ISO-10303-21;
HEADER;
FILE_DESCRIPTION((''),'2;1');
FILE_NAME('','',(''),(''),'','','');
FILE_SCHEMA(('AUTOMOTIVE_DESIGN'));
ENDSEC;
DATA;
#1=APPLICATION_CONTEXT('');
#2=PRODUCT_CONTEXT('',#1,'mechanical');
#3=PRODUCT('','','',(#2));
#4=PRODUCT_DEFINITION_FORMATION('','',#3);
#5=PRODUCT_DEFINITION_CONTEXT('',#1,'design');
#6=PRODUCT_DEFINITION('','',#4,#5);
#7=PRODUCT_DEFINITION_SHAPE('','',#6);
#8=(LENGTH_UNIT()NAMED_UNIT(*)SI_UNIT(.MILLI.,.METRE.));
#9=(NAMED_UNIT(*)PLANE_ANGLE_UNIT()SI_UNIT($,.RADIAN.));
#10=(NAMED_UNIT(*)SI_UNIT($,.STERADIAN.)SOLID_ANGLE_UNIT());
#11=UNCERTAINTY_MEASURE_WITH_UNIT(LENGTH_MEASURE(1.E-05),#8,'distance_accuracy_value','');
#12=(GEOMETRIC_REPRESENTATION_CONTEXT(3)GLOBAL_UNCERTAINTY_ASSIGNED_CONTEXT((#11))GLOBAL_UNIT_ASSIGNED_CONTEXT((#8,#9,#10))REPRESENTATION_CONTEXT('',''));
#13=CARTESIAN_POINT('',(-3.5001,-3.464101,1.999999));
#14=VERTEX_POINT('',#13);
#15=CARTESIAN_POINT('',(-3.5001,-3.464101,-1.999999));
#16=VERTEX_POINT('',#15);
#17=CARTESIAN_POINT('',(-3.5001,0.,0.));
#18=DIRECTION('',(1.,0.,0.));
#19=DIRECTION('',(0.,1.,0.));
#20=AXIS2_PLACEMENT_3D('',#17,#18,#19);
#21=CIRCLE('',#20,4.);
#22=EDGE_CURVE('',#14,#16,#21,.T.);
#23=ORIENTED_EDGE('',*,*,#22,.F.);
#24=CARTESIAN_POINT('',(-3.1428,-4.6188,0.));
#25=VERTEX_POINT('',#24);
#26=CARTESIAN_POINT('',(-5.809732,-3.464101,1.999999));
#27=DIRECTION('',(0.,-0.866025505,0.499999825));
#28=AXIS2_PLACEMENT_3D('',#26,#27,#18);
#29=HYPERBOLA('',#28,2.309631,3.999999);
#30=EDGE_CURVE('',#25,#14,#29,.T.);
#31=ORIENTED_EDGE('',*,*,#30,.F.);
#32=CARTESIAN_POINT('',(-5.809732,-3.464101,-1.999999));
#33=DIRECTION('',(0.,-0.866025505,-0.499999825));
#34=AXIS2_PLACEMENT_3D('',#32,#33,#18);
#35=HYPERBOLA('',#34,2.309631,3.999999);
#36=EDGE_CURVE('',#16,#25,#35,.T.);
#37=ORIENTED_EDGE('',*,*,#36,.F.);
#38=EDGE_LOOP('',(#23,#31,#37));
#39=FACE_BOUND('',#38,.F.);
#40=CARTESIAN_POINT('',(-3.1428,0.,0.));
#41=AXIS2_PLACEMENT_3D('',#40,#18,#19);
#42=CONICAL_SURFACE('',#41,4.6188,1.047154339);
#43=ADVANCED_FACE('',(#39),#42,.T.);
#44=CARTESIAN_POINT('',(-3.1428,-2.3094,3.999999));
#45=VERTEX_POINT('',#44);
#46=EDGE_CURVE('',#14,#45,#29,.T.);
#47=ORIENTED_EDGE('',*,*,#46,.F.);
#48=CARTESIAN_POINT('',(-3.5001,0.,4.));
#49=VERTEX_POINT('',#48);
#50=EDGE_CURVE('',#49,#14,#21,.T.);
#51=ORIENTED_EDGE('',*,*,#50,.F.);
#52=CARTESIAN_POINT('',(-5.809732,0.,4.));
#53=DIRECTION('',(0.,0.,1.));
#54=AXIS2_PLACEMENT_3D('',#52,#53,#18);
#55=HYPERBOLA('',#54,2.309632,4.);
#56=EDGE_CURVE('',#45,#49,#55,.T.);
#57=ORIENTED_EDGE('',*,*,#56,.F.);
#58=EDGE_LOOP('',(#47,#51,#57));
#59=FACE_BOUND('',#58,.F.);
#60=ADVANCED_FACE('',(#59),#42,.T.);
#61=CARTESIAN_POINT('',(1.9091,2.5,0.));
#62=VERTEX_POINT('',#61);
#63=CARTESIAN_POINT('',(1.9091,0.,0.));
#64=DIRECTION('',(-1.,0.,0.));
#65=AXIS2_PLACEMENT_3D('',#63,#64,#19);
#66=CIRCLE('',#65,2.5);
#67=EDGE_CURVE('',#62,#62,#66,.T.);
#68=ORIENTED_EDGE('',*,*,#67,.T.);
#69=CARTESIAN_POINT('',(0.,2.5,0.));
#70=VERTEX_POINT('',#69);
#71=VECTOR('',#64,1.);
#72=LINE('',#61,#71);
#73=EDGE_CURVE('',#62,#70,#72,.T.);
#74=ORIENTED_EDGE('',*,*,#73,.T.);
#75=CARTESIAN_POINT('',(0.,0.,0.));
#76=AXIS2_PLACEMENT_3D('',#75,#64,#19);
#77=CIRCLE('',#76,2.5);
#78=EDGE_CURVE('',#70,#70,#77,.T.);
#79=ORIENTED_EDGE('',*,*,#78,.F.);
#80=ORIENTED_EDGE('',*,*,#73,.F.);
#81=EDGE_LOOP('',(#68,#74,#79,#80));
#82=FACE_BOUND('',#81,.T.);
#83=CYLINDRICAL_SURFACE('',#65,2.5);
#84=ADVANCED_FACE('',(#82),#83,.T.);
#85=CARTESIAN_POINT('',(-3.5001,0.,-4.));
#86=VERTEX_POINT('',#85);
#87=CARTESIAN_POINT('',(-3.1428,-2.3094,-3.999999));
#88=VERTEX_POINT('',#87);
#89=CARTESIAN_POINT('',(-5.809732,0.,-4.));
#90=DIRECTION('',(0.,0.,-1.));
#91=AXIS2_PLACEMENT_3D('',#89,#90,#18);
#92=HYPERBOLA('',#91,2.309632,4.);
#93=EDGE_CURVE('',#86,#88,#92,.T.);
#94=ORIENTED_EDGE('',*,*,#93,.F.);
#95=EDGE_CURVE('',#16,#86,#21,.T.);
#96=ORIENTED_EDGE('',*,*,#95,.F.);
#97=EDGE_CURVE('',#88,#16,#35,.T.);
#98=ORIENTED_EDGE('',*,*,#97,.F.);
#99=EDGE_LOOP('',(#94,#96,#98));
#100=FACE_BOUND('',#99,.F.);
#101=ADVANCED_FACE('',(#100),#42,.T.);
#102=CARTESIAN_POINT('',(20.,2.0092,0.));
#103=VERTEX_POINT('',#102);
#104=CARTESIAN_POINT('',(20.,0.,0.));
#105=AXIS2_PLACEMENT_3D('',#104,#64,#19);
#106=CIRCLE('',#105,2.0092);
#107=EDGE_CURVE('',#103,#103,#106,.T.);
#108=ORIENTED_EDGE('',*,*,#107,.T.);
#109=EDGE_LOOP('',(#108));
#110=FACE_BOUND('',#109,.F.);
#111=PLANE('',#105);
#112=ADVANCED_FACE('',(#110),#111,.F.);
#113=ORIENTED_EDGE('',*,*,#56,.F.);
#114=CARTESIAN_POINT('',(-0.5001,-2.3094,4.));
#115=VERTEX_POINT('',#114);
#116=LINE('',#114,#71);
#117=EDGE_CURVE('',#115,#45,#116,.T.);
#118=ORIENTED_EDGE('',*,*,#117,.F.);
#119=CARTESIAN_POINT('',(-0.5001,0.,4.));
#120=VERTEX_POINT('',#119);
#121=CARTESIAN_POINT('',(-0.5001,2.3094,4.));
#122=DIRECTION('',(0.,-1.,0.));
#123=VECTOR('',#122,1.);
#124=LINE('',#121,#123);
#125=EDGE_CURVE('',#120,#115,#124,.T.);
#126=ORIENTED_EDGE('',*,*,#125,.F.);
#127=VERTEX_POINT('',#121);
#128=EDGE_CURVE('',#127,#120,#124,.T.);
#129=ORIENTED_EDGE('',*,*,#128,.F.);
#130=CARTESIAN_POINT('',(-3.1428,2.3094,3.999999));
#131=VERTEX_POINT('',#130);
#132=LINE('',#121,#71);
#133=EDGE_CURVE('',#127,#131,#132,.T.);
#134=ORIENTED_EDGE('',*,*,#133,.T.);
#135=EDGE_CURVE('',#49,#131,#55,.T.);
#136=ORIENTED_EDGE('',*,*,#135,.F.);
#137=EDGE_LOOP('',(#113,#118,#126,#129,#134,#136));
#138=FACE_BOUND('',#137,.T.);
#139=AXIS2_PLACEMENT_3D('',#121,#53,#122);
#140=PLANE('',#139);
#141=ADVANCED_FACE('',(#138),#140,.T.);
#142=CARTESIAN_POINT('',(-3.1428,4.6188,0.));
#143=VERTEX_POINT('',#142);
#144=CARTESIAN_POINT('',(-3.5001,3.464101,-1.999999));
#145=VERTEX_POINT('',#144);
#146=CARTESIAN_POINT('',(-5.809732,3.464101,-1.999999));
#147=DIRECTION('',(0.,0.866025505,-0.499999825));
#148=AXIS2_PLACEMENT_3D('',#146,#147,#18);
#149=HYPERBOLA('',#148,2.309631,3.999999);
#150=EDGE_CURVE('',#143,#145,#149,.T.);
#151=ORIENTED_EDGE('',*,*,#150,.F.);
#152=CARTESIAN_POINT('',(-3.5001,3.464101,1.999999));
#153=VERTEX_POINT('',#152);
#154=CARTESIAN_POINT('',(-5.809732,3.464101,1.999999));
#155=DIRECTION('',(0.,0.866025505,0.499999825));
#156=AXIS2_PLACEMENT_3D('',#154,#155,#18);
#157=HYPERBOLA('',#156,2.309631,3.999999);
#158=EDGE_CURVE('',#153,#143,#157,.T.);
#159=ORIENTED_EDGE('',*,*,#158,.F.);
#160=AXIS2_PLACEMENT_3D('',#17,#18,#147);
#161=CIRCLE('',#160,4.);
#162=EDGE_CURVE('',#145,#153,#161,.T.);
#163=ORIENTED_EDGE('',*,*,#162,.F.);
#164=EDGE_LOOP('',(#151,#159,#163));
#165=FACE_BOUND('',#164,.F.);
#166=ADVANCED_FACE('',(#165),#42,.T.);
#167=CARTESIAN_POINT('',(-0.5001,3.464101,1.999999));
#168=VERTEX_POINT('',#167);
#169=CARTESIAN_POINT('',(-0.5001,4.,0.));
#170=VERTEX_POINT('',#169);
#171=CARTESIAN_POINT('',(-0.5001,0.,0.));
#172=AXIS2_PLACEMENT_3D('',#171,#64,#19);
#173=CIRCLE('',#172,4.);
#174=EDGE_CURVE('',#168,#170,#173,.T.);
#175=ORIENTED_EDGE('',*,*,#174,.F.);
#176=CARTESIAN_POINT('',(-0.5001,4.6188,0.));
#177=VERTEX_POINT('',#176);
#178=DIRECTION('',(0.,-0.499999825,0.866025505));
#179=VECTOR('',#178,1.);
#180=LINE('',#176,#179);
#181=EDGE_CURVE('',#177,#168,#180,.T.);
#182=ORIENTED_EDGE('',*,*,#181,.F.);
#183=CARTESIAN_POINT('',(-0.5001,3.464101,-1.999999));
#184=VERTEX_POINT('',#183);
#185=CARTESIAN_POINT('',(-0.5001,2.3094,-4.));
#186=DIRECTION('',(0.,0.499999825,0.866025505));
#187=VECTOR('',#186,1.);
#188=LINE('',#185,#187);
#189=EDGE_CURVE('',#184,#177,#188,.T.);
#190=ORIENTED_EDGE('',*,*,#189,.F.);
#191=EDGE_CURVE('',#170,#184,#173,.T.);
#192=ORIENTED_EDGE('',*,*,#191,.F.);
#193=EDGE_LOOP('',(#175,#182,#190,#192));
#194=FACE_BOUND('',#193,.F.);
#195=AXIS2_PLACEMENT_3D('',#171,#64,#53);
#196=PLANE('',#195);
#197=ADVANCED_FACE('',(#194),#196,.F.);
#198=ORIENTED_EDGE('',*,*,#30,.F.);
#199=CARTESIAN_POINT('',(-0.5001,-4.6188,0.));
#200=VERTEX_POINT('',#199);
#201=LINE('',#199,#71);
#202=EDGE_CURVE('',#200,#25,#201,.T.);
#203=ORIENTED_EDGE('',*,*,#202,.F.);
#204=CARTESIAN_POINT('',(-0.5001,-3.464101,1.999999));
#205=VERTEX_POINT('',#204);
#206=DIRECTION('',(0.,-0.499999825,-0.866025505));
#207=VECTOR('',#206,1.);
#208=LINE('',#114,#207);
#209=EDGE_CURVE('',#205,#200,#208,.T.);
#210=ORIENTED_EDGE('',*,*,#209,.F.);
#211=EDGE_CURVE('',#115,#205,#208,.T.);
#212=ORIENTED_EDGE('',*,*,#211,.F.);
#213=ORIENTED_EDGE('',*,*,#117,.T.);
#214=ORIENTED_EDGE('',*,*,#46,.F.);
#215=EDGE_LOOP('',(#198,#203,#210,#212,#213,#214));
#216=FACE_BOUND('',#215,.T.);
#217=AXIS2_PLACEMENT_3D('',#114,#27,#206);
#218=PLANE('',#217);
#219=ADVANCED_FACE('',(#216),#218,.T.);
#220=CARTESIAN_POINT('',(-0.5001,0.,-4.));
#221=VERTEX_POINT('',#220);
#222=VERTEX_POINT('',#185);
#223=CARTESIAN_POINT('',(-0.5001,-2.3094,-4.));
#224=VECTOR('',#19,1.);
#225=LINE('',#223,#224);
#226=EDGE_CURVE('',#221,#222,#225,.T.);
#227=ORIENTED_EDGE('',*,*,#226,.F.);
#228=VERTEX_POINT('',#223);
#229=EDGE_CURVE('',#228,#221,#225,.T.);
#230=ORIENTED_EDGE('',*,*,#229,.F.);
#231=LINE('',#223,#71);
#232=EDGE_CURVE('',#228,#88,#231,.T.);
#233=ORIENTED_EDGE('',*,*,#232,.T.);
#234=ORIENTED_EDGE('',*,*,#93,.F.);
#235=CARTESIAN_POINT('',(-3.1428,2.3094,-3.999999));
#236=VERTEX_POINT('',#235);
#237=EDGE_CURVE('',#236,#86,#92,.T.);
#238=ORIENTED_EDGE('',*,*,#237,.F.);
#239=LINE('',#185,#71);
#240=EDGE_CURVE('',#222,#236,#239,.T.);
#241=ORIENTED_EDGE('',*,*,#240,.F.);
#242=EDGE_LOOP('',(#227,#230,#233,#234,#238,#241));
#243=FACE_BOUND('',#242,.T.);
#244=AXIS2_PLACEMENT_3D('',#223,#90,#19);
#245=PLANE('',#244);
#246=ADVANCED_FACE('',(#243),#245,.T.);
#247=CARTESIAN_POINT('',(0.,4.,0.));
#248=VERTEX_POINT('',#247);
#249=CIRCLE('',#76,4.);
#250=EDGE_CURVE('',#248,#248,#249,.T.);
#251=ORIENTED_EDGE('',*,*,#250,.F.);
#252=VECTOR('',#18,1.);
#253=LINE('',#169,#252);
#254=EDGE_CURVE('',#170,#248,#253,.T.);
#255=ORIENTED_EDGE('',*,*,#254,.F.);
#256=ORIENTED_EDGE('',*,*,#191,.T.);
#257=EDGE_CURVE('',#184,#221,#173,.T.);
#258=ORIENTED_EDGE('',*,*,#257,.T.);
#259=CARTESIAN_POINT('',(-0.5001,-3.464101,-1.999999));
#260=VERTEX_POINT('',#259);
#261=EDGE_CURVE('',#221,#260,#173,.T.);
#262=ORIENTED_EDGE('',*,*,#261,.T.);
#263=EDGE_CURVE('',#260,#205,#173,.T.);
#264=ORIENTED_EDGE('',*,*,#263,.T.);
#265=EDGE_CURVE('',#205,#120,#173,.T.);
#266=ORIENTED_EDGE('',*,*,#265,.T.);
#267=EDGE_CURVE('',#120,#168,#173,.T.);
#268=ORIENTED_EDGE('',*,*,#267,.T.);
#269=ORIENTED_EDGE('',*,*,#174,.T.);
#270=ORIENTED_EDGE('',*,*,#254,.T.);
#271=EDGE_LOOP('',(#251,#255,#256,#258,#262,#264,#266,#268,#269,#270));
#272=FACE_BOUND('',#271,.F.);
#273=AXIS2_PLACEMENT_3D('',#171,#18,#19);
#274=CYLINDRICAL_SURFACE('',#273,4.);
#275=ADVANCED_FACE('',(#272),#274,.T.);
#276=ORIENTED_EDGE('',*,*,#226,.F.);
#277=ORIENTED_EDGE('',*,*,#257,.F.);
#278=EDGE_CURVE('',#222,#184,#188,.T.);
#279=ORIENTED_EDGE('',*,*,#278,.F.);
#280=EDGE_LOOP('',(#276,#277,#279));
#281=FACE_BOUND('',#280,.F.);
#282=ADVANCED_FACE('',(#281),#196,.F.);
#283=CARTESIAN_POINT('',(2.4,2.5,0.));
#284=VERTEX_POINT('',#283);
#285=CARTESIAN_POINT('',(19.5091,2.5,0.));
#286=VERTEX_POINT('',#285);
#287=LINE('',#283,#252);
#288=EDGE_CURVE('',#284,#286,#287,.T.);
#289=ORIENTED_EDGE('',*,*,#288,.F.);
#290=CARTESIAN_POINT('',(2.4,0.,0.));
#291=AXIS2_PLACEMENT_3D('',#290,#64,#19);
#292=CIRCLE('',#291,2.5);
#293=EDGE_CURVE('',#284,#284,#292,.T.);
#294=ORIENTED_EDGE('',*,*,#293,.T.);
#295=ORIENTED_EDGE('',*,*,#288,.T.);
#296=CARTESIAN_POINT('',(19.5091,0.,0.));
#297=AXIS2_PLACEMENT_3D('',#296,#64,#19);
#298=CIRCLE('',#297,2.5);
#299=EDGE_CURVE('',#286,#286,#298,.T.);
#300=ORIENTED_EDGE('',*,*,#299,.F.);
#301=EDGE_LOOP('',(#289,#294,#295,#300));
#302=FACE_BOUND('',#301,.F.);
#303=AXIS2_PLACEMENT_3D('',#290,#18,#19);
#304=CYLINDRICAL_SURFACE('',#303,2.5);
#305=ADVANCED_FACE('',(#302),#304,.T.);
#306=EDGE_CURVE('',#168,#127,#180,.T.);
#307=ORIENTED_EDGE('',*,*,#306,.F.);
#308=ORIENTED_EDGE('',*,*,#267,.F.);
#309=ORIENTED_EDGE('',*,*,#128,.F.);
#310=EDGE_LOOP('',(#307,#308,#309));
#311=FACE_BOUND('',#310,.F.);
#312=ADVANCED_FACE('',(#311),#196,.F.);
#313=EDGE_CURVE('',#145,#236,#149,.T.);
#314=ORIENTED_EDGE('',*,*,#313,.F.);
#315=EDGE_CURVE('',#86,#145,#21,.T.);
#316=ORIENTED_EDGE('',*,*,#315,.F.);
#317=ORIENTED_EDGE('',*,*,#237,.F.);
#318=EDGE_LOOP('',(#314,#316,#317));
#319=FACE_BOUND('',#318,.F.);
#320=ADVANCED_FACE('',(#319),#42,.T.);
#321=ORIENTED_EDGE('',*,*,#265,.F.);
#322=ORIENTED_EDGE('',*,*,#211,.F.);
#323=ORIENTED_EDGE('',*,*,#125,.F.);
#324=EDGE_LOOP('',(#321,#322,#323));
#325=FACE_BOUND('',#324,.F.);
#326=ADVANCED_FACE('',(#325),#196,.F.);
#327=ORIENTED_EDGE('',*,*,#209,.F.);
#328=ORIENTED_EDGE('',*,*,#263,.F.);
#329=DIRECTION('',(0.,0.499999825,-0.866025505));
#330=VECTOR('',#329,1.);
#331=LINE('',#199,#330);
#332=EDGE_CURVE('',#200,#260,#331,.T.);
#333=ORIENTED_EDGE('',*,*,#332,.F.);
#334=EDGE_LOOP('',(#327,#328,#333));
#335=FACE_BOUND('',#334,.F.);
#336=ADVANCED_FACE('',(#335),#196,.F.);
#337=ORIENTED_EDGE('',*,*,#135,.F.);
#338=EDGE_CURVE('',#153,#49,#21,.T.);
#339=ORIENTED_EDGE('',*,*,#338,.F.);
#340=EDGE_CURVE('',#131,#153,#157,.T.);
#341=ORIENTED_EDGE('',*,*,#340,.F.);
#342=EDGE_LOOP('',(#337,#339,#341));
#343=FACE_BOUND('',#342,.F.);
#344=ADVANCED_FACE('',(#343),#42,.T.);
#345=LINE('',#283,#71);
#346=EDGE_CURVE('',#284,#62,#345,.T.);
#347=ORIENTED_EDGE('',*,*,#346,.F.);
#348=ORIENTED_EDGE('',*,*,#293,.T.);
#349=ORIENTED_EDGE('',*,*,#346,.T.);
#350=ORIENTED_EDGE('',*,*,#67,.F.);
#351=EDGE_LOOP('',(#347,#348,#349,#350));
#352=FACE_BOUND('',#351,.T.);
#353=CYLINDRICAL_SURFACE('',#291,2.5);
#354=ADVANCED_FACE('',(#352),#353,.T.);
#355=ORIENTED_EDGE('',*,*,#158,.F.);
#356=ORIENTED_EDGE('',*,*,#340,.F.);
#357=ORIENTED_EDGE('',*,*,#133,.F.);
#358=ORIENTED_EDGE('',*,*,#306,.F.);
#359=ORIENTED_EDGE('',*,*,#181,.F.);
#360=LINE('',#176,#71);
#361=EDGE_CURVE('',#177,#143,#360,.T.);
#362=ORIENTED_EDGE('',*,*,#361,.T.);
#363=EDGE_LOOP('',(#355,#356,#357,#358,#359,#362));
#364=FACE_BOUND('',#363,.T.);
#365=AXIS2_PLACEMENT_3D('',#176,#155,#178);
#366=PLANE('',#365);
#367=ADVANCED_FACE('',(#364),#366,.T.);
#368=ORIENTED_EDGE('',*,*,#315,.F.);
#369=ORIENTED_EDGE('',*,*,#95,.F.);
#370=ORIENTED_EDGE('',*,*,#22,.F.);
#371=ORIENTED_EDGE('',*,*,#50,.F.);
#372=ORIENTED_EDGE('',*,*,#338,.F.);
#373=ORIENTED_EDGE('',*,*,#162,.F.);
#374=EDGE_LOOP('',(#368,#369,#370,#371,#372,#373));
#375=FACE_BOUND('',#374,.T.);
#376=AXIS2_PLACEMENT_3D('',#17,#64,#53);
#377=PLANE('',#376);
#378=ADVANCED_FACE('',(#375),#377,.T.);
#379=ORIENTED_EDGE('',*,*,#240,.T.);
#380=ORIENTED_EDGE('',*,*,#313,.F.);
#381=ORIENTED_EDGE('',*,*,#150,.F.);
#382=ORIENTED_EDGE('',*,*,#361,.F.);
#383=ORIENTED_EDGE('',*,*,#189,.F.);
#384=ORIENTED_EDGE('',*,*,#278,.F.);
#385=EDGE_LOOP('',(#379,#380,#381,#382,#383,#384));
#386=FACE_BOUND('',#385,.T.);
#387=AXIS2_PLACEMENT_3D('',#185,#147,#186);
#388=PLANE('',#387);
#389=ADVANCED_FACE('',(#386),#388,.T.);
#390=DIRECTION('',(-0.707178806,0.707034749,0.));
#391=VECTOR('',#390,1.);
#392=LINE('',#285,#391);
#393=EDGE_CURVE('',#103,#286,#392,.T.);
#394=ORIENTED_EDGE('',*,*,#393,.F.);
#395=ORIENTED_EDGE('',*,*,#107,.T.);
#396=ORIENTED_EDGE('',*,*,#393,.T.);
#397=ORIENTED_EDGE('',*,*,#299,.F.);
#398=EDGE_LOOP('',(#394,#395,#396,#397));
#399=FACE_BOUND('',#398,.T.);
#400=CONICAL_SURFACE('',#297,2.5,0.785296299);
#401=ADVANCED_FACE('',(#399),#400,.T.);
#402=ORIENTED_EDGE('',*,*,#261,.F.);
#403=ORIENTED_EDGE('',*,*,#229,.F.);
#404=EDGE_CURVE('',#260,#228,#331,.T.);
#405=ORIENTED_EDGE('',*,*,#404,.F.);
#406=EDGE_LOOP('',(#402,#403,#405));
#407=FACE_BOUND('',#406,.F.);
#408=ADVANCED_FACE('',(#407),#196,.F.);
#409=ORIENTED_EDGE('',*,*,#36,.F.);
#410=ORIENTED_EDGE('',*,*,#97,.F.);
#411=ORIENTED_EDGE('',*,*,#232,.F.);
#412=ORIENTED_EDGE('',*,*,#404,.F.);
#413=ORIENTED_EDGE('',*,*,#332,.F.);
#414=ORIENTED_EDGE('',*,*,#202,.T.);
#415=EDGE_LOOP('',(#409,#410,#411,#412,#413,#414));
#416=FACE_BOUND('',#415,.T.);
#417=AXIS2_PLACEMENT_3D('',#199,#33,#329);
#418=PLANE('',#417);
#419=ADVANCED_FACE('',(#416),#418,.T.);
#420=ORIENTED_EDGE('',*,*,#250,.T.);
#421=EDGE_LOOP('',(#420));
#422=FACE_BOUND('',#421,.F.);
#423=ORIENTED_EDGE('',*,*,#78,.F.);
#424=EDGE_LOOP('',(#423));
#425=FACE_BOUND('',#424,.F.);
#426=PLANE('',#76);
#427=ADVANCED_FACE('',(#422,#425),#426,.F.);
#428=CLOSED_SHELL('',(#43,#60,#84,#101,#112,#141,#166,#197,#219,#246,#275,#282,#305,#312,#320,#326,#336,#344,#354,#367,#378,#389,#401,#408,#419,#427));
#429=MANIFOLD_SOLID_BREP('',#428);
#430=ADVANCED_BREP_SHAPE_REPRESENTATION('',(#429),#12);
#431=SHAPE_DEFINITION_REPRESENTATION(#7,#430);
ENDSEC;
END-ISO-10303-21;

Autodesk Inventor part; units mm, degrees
ref_plane "YZ Plane" through (0, 0, 0) normal (1, 0, 0) x (0, 1, 0)
ref_plane "XZ Plane" through (0, 0, 0) normal (0, 1, 0) x (-1, 0, 0)
sketch "Sketch1" plane through (0, 0, 0) normal (0, 0, 1) x (1, 0, 0)
  line L0 (0, 4) -> (0, 2.5)
  line L1 (2.4, 2.5) -> (20, 2.5)
  line L2 (20, 2.5) -> (20, 0)
  line L3 (20, 0) -> (-0.5001, 0)
  line L4 (-4.6001, 0) -> (24.1, 0) projected
  line L5 (-0.5001, 0) -> (-0.5001, 4)
  line L6 (-0.5001, 4) -> (0, 4)
  line L7 (2.4, 2.5) -> (1.9091, 2.5)
  line L8 (1.9091, 2.5) -> (0, 2.5)
  line L9 (0, -0.8) -> (0, 4.8) projected
  dimension "d0" = 20
  dimension "d1" = 17.6
  dimension "d2" = 5
  dimension "d9" = 0.5001
  dimension "d10" = 8
  dimension "d13" = 0.4909
  dimension "d14" = 5
revolve "Body" add sketch "Sketch1" angle 360 about axis through (20, 0, 0) along (-1, 0, 0)
sketch "Sketch2" plane through (-0.5001, 0, 0) normal (-1, 0, 0) x (0, 0, 1)
  line L0 (0, 4.6188) -> (4, 2.3094)
  line L1 (4, 2.3094) -> (4, -2.3094)
  line L2 (4, -2.3094) -> (0, -4.6188)
  line L3 (0, -4.6188) -> (-4, -2.3094)
  line L4 (-4, -2.3094) -> (-4, 2.3094)
  line L5 (-4, 2.3094) -> (0, 4.6188)
  point P0 (0, 0)
  point P1 (0, 0)
  dimension "d11" = 8
extrude "Head" add sketch "Sketch2" along normal blind 3
sketch "Sketch4" plane through (0, 0, 0) normal (0, 0, 1) x (1, 0, 0)
  line L0 (-3.5001, 4) -> (-3.5001, 4.6188)
  line L1 (-3.5001, 4.6188) -> (-3.1428, 4.6188)
  line L2 (-3.1428, 4.6188) -> (-3.5001, 4)
  line L3 (-4.1001, 0) -> (0.0999, 0) projected
  line L4 (-0.5001, 4.6188) -> (-3.5001, 4.6188) projected
  line L5 (-3.5001, 2.3094) -> (-3.5001, 4.6188) projected
  dimension "d5" = 30
  dimension "d19" = 8
revolve "Chamfer1" cut sketch "Sketch4" angle 360 about axis through (-10, 0, 0) along (1, 0, 0)
thread "Thread" size "M5x0.8" class "6g" standard "ISO Metric profile" length 17.6
chamfer "Chamfer2" distance 0.4908 distance2 0.4909 1 edges at (20, -2.5, 0) measured on face at (20, 0.7379, -0.3873)
ref_plane "Work Plane1" through (1.525, 0, 0) normal (0, 0, 1) x (1, 0, 0)
equation "\"d0\" = NLG"
equation "\"d1\" = GEL"
equation "\"d2\" = GD"
equation "\"d10\" = SD2"
equation "\"d14\" = BDM"
equation "\"d11\" = SW"
equation "\"d3\" = KOH - SD"
equation "\"d5\" = ANG1"
equation "\"d19\" = SW0"
equation "\"d15\" = GEL"
equation "\"d6\" = -0.5 * SPD + 0.5 * GD"
equation "\"NLG\" = 20"
equation "\"GD\" = NND"
equation "\"BDM\" = NND"
equation "\"KOH\" = 3.5"
equation "\"GEL\" = 17.6"
equation "\"SW\" = 8"
equation "\"SW0\" = SW"
equation "\"SPD\" = NND - 1.2269 * PTC"
equation "\"SD2\" = SW"
equation "\"SD\" = 0.5"
equation "\"ANG1\" = 30deg"
equation "\"GAL\" = 0.61345 * PTC"
equation "\"GUL\" = 0.61345 * PTC"
equation "\"RR\" = 0.2"
equation "\"WFT\" = SD"
equation "\"GD1\" = THREADDIA - 1.2269 * PTC"
equation "\"THREADDIA\" = 5"
equation "\"SDH\" = SW"
equation "\"TOA\" = 30deg"
equation "\"FAWI\" = 45deg"
equation "\"PTC\" = 0.8"
equation "\"NND\" = 5"
equation "\"E0\" = 1.155 * SW"
properties part number "AS 1110 - M5 x 20" material "Steel, Mild"
